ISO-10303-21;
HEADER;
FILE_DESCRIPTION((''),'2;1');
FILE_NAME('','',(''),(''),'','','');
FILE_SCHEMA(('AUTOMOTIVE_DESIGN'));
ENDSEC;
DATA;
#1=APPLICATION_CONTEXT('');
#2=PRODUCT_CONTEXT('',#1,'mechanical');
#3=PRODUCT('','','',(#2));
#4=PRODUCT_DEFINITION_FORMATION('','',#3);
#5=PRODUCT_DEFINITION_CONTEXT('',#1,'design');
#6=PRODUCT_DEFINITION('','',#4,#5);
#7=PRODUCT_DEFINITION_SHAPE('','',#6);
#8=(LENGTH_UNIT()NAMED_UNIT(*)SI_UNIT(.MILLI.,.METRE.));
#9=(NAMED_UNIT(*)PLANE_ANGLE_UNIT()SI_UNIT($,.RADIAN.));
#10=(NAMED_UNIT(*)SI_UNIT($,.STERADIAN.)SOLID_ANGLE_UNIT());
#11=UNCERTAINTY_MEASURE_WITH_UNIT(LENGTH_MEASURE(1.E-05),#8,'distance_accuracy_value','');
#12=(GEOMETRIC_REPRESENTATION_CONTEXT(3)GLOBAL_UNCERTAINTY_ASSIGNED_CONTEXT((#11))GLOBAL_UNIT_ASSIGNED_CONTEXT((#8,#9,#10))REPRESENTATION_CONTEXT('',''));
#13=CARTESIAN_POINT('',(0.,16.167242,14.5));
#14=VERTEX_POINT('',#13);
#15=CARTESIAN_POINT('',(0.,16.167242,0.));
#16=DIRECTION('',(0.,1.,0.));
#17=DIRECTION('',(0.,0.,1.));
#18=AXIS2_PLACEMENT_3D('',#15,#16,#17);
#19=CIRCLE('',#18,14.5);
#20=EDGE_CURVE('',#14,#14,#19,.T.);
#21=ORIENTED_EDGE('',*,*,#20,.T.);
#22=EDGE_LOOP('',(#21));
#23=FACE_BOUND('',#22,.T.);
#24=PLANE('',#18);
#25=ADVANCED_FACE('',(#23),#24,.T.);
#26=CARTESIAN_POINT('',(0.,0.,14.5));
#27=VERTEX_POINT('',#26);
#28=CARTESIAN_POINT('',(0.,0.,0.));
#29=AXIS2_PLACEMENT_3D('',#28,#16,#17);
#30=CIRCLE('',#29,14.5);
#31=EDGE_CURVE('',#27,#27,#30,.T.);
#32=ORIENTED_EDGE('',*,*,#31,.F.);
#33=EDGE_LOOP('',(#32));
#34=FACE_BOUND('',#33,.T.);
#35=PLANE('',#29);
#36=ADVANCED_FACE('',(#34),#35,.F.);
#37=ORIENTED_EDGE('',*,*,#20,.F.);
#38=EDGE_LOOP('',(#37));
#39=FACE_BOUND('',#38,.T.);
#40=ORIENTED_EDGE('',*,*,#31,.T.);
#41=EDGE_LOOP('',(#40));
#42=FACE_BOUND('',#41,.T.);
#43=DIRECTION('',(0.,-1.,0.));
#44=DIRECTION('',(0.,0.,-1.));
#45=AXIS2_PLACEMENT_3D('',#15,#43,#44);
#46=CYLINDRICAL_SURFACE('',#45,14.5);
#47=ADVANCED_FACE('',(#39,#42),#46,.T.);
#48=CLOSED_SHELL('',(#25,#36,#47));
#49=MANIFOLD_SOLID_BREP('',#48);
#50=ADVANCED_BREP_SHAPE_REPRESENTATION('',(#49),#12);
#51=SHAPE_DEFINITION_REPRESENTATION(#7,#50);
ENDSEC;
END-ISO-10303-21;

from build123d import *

# Parameters (mm, degrees)
SCHIZZO1_R                   = 14.5
ESTRUSIONE_ESTRUSIONE1_DEPTH = 16.167241511


with BuildPart() as part:
    # Schizzo1 → Estrusione-Estrusione1 (new body)
    with BuildSketch(Plane(origin=(0, 0, 0), x_dir=(1, 0, 0), z_dir=(0, 1, 0))):
        with Locations(Location((0, 0, 0), (0, 0, 270))):
            Circle(SCHIZZO1_R)
    extrude(amount=ESTRUSIONE_ESTRUSIONE1_DEPTH)


solid = part.part
